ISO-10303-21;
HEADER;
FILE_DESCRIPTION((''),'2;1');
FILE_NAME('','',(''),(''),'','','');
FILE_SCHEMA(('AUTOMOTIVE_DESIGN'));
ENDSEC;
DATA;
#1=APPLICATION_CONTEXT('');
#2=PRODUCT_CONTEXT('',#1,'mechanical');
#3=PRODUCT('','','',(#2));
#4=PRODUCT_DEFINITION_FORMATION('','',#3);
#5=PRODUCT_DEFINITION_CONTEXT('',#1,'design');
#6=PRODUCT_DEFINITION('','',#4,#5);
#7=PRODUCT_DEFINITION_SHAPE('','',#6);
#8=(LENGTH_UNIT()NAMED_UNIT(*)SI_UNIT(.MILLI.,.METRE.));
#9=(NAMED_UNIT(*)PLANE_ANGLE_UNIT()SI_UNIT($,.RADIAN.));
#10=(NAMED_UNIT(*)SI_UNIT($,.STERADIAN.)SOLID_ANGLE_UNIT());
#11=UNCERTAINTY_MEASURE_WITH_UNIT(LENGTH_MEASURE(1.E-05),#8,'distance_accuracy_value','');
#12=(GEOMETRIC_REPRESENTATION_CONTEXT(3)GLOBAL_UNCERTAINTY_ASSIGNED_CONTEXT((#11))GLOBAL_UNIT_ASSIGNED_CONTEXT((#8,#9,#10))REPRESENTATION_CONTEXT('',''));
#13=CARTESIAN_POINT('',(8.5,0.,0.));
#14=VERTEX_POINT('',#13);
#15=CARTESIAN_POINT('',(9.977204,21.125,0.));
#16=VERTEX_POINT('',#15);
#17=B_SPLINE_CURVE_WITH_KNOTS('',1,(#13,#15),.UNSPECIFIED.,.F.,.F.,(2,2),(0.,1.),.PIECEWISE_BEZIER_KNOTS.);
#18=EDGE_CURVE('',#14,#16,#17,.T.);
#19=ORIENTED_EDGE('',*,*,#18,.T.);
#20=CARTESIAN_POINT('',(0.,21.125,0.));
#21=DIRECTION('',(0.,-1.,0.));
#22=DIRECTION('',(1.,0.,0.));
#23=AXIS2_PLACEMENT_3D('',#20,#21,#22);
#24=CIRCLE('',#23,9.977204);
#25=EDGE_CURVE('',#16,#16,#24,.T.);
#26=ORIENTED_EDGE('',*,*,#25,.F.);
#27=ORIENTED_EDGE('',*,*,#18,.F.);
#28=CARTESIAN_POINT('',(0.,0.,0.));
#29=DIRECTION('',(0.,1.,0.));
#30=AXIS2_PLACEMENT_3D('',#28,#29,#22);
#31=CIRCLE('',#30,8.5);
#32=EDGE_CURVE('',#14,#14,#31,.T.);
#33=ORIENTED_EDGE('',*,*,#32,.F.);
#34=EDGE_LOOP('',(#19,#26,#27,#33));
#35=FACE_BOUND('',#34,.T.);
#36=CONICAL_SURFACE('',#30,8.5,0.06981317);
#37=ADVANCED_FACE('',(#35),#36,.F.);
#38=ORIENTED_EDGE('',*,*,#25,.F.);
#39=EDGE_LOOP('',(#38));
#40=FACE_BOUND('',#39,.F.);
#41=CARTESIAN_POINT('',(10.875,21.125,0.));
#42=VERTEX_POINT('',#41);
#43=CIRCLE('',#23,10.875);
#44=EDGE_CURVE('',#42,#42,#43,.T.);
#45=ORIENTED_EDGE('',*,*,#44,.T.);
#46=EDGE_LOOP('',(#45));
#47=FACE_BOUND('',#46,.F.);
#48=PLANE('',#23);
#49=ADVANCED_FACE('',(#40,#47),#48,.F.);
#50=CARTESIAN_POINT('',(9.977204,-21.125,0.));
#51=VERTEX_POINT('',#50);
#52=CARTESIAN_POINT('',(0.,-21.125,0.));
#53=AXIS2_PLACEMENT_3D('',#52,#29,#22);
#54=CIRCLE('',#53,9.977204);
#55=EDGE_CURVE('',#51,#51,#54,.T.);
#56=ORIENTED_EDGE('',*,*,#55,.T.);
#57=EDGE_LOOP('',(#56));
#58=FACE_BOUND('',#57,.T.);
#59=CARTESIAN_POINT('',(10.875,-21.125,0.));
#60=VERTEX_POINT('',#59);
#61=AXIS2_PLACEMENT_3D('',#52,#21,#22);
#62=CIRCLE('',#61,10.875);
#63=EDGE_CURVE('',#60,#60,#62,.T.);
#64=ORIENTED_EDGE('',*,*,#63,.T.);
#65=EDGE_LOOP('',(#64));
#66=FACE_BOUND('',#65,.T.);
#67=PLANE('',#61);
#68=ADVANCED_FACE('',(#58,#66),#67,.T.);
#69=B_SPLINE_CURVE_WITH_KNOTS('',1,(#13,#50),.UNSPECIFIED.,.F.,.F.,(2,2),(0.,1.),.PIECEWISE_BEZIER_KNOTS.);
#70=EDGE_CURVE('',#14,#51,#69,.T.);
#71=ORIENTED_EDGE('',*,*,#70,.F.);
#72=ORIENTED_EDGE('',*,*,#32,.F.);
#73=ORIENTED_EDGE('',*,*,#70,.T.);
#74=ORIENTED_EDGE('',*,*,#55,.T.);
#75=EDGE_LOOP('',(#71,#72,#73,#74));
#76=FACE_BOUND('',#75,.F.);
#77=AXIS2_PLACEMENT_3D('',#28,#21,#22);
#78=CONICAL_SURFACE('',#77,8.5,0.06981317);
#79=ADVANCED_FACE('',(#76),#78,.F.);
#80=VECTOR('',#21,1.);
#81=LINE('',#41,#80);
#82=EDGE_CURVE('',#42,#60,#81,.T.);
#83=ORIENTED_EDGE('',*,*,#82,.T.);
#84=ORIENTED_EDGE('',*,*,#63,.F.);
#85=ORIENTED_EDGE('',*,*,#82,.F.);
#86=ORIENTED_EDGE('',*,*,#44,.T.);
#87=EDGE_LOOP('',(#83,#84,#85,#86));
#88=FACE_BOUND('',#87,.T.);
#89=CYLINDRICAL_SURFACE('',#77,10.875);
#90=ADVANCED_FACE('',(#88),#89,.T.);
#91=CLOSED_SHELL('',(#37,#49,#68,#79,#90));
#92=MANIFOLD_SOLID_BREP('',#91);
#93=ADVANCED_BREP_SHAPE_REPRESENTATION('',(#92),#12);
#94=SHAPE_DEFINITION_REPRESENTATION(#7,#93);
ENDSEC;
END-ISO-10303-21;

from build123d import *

# Parameters (mm, degrees)
F0_R     = 10.875
F0_R_2   = 8.5
F1_DEPTH = 21.125
F2_DEPTH = 21.125
F2_TAPER = -4


with BuildPart() as f1:
    # F0 (on Front) → F1 (new body, symmetric)
    with BuildSketch(Plane.XZ):
        Circle(F0_R)
        Circle(F0_R_2, mode=Mode.SUBTRACT)
    extrude(amount=F1_DEPTH, both=True)

    # F0 (on Front) → F2 (cut, symmetric)
    with BuildSketch(Plane.XZ):
        Circle(F0_R_2)
    extrude(amount=F2_DEPTH, both=True, taper=F2_TAPER, mode=Mode.SUBTRACT)


solid = f1.part
